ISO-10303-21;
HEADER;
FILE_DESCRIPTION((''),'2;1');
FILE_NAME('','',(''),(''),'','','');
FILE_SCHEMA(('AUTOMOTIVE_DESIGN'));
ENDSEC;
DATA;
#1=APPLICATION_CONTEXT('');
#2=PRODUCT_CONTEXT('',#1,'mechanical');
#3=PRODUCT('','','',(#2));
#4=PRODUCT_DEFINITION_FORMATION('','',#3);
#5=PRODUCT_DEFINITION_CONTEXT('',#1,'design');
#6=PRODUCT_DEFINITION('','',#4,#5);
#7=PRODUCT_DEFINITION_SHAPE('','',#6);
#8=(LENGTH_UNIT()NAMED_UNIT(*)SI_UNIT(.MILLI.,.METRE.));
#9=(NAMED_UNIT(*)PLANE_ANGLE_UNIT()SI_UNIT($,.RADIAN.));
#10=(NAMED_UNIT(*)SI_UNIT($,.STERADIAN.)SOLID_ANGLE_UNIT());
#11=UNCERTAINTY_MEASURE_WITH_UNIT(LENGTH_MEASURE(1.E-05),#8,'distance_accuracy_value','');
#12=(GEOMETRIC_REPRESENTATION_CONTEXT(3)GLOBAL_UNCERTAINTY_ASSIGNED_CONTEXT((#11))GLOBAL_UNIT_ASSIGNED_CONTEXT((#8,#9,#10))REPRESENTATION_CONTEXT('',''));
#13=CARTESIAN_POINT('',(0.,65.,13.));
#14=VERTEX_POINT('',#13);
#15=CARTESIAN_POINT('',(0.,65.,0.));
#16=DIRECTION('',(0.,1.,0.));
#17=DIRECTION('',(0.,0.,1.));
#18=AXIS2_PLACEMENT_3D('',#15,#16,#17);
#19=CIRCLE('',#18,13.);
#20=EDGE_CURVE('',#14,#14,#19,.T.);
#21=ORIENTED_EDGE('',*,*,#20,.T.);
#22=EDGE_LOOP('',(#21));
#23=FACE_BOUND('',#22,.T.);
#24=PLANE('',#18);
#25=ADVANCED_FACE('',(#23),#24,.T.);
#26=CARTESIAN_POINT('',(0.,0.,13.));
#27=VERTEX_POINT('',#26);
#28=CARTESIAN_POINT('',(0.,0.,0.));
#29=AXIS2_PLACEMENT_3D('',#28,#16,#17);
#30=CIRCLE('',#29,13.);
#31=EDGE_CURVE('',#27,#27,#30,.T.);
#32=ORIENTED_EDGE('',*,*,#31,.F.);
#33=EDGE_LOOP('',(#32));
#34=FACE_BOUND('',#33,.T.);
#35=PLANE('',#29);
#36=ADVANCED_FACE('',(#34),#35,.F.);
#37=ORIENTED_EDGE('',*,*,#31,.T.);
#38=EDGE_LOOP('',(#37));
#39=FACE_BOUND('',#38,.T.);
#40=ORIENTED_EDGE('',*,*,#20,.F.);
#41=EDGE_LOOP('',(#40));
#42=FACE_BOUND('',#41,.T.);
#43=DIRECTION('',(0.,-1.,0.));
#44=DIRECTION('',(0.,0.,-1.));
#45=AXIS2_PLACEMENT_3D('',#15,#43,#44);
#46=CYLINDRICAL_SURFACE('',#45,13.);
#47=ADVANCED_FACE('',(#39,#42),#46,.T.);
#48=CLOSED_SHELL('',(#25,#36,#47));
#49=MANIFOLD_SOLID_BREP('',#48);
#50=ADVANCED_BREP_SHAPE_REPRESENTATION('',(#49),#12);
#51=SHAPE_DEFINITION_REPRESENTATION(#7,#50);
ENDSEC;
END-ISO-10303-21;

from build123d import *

# Parameters (mm, degrees)
SKETCH_1_R      = 13
EXTRUDE_1_DEPTH = 65


with BuildPart() as part:
    # 스케치1 → 보스-돌출1 (new body)
    with BuildSketch(Plane(origin=(0, 0, 0), x_dir=(1, 0, 0), z_dir=(0, 1, 0))):
        Circle(SKETCH_1_R)
    extrude(amount=EXTRUDE_1_DEPTH)


solid = part.part
